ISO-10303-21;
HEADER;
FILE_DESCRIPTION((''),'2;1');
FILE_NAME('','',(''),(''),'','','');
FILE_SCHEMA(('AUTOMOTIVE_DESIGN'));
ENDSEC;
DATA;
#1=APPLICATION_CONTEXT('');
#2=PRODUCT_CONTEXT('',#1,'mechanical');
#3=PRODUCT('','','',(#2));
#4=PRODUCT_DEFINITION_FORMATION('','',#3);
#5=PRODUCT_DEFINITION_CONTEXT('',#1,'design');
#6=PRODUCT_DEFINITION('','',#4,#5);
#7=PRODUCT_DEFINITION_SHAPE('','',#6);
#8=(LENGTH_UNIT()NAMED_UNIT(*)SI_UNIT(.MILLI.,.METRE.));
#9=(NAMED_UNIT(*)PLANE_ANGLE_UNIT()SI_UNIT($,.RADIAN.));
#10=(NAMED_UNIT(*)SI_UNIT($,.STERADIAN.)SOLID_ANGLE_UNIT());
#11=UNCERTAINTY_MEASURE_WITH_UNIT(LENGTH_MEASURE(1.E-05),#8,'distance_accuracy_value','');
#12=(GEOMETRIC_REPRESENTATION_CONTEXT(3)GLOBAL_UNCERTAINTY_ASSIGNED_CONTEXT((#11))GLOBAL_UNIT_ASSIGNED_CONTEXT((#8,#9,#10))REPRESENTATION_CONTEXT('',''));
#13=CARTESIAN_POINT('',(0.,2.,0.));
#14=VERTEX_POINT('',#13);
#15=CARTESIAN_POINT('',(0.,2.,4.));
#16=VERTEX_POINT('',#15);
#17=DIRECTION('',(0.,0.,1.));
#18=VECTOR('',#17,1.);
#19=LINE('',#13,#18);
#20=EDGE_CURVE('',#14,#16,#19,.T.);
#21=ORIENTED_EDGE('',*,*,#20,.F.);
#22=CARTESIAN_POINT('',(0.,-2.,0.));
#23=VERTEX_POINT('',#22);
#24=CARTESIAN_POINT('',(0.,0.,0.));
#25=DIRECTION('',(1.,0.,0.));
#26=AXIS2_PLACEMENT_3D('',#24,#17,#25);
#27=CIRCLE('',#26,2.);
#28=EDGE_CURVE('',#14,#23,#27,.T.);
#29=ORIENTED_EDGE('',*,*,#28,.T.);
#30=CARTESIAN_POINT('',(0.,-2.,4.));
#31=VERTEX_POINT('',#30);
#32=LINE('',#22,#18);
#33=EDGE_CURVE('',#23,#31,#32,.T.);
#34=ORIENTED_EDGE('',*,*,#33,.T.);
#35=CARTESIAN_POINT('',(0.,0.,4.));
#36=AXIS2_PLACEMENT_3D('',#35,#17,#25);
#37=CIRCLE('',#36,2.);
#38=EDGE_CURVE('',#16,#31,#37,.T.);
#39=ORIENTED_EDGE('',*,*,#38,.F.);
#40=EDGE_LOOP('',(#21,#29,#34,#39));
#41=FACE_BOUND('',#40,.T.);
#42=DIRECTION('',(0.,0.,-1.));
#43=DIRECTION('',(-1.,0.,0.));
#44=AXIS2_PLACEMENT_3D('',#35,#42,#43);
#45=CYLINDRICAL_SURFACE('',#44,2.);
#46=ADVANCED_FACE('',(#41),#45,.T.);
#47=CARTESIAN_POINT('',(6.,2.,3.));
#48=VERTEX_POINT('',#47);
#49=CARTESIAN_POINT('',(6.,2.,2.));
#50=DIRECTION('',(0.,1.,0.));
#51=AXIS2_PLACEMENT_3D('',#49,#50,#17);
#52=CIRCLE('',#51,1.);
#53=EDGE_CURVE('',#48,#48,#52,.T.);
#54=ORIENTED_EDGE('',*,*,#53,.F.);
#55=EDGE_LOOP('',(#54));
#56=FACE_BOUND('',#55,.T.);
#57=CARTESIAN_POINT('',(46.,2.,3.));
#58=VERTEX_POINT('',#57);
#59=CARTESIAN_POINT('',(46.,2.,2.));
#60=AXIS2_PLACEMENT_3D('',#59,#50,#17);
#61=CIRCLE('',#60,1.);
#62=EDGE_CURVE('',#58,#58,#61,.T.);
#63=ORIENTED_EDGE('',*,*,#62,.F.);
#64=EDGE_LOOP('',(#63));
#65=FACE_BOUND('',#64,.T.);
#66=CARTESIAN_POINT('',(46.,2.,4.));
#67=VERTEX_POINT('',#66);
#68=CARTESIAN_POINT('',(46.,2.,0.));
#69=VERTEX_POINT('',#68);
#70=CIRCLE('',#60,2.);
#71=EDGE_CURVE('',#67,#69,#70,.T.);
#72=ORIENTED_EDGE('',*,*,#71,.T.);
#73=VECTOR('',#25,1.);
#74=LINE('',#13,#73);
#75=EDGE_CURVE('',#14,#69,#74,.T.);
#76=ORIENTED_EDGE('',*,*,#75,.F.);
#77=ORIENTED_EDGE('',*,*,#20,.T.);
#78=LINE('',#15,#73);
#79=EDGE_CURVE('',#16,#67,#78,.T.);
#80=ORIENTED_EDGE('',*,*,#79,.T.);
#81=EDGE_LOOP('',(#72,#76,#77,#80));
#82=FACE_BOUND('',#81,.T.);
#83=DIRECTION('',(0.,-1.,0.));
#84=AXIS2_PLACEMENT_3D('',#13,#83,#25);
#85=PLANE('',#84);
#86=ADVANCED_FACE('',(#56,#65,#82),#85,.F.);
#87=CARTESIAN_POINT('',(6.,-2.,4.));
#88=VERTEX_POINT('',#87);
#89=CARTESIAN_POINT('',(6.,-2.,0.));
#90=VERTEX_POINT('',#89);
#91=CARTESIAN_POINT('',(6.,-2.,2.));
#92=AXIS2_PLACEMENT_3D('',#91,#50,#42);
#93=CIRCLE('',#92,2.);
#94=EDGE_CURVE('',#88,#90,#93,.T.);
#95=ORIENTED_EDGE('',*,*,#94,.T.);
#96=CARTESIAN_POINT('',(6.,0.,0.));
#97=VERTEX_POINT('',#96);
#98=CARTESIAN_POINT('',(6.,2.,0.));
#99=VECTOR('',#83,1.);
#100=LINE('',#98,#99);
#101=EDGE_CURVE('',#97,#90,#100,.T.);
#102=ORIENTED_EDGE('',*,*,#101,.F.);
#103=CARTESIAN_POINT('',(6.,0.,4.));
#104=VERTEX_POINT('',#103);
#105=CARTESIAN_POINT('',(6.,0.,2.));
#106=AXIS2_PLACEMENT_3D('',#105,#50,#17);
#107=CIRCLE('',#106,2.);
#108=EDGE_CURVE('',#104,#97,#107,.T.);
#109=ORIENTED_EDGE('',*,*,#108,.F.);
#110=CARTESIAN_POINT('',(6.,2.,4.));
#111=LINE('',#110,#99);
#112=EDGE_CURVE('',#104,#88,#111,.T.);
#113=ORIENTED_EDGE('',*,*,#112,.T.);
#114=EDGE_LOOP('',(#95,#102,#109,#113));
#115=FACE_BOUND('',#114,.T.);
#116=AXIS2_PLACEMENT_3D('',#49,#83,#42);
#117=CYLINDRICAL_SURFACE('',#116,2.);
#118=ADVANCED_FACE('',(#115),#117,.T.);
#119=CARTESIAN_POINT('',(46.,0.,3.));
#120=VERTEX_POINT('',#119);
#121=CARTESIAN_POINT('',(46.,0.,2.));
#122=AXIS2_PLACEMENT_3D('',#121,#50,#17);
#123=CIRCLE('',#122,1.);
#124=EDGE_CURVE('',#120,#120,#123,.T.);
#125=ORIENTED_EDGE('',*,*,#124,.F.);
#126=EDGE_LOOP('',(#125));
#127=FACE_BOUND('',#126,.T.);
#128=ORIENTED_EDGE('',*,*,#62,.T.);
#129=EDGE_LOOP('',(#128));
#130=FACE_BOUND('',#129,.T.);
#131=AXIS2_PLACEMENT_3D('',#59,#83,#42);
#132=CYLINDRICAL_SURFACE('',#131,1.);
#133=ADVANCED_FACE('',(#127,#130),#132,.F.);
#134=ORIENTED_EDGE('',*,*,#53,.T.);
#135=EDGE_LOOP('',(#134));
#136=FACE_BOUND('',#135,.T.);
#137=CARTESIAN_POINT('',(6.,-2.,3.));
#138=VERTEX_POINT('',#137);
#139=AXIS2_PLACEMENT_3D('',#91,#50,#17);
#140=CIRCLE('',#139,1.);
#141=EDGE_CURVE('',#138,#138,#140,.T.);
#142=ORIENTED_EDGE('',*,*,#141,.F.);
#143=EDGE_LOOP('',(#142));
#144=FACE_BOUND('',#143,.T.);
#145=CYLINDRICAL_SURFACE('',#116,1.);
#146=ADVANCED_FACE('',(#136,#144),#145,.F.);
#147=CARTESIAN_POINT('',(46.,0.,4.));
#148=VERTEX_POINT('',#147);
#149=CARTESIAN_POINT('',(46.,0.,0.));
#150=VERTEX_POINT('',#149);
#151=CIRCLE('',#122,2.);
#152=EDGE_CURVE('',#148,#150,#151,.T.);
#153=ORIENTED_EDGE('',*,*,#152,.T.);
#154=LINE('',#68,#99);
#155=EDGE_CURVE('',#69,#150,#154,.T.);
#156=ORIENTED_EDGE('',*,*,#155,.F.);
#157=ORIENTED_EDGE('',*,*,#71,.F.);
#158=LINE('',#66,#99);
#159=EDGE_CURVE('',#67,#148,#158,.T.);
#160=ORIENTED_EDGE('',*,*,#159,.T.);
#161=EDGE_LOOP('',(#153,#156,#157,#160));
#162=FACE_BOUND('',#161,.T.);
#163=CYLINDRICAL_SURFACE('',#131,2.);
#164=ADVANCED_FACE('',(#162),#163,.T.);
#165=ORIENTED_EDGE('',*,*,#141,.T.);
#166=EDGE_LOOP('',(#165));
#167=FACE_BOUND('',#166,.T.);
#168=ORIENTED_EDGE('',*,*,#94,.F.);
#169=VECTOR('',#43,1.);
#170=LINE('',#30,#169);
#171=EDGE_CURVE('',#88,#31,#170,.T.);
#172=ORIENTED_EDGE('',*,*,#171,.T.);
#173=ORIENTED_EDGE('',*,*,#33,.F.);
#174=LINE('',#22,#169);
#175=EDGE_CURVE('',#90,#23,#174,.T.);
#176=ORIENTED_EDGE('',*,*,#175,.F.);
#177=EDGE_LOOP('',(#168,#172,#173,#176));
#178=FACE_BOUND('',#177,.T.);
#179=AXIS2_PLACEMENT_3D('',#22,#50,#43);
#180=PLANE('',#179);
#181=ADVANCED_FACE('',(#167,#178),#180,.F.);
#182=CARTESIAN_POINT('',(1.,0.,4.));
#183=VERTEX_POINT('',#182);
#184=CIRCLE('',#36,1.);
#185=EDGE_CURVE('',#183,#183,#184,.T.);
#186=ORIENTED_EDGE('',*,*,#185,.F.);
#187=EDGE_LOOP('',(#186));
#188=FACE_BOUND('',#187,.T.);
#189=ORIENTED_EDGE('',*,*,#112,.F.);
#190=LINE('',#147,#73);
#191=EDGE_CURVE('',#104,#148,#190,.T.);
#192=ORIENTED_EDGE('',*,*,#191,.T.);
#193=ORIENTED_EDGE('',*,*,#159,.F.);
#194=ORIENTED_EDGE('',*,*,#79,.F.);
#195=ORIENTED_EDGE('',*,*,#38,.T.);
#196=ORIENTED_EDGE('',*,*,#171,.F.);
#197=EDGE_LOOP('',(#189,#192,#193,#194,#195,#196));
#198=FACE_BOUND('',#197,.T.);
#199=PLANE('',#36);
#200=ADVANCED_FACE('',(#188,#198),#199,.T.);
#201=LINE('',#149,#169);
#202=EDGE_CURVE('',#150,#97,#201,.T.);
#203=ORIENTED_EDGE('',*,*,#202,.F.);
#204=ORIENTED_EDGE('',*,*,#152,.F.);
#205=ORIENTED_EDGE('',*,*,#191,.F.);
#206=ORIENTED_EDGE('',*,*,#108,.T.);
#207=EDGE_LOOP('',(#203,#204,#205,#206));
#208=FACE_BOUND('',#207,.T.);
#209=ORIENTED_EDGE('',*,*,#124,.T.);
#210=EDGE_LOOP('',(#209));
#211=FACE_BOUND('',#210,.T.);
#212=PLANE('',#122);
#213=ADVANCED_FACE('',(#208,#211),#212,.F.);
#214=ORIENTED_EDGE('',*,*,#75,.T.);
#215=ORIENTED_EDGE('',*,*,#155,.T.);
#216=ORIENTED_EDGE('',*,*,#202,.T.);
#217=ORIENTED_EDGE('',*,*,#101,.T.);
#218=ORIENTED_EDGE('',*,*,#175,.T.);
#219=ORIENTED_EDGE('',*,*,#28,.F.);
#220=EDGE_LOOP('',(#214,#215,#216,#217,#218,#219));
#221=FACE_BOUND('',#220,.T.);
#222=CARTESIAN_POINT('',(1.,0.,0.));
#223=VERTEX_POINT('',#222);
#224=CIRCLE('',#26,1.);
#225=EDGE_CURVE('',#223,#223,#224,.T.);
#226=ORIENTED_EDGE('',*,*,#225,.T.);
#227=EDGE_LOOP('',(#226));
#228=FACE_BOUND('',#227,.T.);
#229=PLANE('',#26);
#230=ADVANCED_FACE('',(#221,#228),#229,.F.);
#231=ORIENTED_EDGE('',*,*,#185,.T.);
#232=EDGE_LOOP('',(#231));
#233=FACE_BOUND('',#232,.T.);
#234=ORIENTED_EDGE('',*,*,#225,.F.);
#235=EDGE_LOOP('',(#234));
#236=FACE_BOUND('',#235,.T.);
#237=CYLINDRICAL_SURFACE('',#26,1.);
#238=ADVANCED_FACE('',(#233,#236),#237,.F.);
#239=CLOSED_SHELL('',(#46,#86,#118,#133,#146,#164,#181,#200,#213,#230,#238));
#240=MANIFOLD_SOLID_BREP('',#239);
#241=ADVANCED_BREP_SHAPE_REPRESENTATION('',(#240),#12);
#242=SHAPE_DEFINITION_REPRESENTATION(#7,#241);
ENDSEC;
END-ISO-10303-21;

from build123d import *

# Parameters (mm, degrees)
SKETCH1_R           = 2
BOSS_EXTRUDE1_DEPTH = 4
BOSS_EXTRUDE2_START = -4
BOSS_EXTRUDE2_DEPTH = 4
SKETCH3_R           = 1
CUT_EXTRUDE1_DEPTH  = 6.385164807
SKETCH7_R           = 1
BOSS_EXTRUDE4_DEPTH = 2
SKETCH8_R           = 1
BOSS_EXTRUDE5_DEPTH = 2


with BuildPart() as part:
    # Sketch1 → Boss-Extrude1 (new body)
    with BuildSketch(Plane.XY):
        Circle(SKETCH1_R)
    extrude(amount=BOSS_EXTRUDE1_DEPTH)

    # Sketch2 → Boss-Extrude2 (add)
    with BuildSketch(Plane.XY.offset(4).offset(BOSS_EXTRUDE2_START)):
        with BuildLine():
            Line((3, 2), (0, 2))
            ThreePointArc((0, 2), (1.414213562, 1.414213562), (2, 0))
            ThreePointArc((2, 0), (1.414213562, -1.414213562), (0, -2))
            Line((0, -2), (3, -2))
            Line((3, -2), (3, 2))
        make_face()
    extrude(amount=BOSS_EXTRUDE2_DEPTH)

    # Sketch3 → Cut-Extrude1 (cut, through all)
    with BuildSketch(Plane.XY.offset(4)):
        Circle(SKETCH3_R)
    extrude(amount=-CUT_EXTRUDE1_DEPTH, mode=Mode.SUBTRACT)

    # Sketch7 → Boss-Extrude4 (add, symmetric)
    with BuildSketch(Plane(origin=(0, 0, 0), x_dir=(1, 0, 0), z_dir=(0, 1, 0))):
        with BuildLine():
            Line((3, 0), (3, -4))
            Line((3, -4), (6, -4))
            ThreePointArc((6, -4), (8, -2), (6, 0))
            Line((6, 0), (3, 0))
        make_face()
        with Locations(Location((6, -2, 0), (0, 0, 270))):
            Circle(SKETCH7_R, mode=Mode.SUBTRACT)
    extrude(amount=BOSS_EXTRUDE4_DEPTH, both=True)

    # Sketch8 → Boss-Extrude5 (add)
    with BuildSketch(Plane(origin=(0, 0, 0), x_dir=(1, 0, 0), z_dir=(0, 1, 0))):
        with BuildLine():
            Line((46, -4), (6, -4))
            ThreePointArc((6, -4), (4, -2), (6, 0))
            Line((6, 0), (46, 0))
            ThreePointArc((46, 0), (48, -2), (46, -4))
        make_face()
        with Locations(Location((46, -2, 0), (0, 0, 270))):
            Circle(SKETCH8_R, mode=Mode.SUBTRACT)
        with Locations(Location((6, -2, 0), (0, 0, 270))):
            Circle(SKETCH8_R, mode=Mode.SUBTRACT)
    extrude(amount=BOSS_EXTRUDE5_DEPTH)


solid = part.part
